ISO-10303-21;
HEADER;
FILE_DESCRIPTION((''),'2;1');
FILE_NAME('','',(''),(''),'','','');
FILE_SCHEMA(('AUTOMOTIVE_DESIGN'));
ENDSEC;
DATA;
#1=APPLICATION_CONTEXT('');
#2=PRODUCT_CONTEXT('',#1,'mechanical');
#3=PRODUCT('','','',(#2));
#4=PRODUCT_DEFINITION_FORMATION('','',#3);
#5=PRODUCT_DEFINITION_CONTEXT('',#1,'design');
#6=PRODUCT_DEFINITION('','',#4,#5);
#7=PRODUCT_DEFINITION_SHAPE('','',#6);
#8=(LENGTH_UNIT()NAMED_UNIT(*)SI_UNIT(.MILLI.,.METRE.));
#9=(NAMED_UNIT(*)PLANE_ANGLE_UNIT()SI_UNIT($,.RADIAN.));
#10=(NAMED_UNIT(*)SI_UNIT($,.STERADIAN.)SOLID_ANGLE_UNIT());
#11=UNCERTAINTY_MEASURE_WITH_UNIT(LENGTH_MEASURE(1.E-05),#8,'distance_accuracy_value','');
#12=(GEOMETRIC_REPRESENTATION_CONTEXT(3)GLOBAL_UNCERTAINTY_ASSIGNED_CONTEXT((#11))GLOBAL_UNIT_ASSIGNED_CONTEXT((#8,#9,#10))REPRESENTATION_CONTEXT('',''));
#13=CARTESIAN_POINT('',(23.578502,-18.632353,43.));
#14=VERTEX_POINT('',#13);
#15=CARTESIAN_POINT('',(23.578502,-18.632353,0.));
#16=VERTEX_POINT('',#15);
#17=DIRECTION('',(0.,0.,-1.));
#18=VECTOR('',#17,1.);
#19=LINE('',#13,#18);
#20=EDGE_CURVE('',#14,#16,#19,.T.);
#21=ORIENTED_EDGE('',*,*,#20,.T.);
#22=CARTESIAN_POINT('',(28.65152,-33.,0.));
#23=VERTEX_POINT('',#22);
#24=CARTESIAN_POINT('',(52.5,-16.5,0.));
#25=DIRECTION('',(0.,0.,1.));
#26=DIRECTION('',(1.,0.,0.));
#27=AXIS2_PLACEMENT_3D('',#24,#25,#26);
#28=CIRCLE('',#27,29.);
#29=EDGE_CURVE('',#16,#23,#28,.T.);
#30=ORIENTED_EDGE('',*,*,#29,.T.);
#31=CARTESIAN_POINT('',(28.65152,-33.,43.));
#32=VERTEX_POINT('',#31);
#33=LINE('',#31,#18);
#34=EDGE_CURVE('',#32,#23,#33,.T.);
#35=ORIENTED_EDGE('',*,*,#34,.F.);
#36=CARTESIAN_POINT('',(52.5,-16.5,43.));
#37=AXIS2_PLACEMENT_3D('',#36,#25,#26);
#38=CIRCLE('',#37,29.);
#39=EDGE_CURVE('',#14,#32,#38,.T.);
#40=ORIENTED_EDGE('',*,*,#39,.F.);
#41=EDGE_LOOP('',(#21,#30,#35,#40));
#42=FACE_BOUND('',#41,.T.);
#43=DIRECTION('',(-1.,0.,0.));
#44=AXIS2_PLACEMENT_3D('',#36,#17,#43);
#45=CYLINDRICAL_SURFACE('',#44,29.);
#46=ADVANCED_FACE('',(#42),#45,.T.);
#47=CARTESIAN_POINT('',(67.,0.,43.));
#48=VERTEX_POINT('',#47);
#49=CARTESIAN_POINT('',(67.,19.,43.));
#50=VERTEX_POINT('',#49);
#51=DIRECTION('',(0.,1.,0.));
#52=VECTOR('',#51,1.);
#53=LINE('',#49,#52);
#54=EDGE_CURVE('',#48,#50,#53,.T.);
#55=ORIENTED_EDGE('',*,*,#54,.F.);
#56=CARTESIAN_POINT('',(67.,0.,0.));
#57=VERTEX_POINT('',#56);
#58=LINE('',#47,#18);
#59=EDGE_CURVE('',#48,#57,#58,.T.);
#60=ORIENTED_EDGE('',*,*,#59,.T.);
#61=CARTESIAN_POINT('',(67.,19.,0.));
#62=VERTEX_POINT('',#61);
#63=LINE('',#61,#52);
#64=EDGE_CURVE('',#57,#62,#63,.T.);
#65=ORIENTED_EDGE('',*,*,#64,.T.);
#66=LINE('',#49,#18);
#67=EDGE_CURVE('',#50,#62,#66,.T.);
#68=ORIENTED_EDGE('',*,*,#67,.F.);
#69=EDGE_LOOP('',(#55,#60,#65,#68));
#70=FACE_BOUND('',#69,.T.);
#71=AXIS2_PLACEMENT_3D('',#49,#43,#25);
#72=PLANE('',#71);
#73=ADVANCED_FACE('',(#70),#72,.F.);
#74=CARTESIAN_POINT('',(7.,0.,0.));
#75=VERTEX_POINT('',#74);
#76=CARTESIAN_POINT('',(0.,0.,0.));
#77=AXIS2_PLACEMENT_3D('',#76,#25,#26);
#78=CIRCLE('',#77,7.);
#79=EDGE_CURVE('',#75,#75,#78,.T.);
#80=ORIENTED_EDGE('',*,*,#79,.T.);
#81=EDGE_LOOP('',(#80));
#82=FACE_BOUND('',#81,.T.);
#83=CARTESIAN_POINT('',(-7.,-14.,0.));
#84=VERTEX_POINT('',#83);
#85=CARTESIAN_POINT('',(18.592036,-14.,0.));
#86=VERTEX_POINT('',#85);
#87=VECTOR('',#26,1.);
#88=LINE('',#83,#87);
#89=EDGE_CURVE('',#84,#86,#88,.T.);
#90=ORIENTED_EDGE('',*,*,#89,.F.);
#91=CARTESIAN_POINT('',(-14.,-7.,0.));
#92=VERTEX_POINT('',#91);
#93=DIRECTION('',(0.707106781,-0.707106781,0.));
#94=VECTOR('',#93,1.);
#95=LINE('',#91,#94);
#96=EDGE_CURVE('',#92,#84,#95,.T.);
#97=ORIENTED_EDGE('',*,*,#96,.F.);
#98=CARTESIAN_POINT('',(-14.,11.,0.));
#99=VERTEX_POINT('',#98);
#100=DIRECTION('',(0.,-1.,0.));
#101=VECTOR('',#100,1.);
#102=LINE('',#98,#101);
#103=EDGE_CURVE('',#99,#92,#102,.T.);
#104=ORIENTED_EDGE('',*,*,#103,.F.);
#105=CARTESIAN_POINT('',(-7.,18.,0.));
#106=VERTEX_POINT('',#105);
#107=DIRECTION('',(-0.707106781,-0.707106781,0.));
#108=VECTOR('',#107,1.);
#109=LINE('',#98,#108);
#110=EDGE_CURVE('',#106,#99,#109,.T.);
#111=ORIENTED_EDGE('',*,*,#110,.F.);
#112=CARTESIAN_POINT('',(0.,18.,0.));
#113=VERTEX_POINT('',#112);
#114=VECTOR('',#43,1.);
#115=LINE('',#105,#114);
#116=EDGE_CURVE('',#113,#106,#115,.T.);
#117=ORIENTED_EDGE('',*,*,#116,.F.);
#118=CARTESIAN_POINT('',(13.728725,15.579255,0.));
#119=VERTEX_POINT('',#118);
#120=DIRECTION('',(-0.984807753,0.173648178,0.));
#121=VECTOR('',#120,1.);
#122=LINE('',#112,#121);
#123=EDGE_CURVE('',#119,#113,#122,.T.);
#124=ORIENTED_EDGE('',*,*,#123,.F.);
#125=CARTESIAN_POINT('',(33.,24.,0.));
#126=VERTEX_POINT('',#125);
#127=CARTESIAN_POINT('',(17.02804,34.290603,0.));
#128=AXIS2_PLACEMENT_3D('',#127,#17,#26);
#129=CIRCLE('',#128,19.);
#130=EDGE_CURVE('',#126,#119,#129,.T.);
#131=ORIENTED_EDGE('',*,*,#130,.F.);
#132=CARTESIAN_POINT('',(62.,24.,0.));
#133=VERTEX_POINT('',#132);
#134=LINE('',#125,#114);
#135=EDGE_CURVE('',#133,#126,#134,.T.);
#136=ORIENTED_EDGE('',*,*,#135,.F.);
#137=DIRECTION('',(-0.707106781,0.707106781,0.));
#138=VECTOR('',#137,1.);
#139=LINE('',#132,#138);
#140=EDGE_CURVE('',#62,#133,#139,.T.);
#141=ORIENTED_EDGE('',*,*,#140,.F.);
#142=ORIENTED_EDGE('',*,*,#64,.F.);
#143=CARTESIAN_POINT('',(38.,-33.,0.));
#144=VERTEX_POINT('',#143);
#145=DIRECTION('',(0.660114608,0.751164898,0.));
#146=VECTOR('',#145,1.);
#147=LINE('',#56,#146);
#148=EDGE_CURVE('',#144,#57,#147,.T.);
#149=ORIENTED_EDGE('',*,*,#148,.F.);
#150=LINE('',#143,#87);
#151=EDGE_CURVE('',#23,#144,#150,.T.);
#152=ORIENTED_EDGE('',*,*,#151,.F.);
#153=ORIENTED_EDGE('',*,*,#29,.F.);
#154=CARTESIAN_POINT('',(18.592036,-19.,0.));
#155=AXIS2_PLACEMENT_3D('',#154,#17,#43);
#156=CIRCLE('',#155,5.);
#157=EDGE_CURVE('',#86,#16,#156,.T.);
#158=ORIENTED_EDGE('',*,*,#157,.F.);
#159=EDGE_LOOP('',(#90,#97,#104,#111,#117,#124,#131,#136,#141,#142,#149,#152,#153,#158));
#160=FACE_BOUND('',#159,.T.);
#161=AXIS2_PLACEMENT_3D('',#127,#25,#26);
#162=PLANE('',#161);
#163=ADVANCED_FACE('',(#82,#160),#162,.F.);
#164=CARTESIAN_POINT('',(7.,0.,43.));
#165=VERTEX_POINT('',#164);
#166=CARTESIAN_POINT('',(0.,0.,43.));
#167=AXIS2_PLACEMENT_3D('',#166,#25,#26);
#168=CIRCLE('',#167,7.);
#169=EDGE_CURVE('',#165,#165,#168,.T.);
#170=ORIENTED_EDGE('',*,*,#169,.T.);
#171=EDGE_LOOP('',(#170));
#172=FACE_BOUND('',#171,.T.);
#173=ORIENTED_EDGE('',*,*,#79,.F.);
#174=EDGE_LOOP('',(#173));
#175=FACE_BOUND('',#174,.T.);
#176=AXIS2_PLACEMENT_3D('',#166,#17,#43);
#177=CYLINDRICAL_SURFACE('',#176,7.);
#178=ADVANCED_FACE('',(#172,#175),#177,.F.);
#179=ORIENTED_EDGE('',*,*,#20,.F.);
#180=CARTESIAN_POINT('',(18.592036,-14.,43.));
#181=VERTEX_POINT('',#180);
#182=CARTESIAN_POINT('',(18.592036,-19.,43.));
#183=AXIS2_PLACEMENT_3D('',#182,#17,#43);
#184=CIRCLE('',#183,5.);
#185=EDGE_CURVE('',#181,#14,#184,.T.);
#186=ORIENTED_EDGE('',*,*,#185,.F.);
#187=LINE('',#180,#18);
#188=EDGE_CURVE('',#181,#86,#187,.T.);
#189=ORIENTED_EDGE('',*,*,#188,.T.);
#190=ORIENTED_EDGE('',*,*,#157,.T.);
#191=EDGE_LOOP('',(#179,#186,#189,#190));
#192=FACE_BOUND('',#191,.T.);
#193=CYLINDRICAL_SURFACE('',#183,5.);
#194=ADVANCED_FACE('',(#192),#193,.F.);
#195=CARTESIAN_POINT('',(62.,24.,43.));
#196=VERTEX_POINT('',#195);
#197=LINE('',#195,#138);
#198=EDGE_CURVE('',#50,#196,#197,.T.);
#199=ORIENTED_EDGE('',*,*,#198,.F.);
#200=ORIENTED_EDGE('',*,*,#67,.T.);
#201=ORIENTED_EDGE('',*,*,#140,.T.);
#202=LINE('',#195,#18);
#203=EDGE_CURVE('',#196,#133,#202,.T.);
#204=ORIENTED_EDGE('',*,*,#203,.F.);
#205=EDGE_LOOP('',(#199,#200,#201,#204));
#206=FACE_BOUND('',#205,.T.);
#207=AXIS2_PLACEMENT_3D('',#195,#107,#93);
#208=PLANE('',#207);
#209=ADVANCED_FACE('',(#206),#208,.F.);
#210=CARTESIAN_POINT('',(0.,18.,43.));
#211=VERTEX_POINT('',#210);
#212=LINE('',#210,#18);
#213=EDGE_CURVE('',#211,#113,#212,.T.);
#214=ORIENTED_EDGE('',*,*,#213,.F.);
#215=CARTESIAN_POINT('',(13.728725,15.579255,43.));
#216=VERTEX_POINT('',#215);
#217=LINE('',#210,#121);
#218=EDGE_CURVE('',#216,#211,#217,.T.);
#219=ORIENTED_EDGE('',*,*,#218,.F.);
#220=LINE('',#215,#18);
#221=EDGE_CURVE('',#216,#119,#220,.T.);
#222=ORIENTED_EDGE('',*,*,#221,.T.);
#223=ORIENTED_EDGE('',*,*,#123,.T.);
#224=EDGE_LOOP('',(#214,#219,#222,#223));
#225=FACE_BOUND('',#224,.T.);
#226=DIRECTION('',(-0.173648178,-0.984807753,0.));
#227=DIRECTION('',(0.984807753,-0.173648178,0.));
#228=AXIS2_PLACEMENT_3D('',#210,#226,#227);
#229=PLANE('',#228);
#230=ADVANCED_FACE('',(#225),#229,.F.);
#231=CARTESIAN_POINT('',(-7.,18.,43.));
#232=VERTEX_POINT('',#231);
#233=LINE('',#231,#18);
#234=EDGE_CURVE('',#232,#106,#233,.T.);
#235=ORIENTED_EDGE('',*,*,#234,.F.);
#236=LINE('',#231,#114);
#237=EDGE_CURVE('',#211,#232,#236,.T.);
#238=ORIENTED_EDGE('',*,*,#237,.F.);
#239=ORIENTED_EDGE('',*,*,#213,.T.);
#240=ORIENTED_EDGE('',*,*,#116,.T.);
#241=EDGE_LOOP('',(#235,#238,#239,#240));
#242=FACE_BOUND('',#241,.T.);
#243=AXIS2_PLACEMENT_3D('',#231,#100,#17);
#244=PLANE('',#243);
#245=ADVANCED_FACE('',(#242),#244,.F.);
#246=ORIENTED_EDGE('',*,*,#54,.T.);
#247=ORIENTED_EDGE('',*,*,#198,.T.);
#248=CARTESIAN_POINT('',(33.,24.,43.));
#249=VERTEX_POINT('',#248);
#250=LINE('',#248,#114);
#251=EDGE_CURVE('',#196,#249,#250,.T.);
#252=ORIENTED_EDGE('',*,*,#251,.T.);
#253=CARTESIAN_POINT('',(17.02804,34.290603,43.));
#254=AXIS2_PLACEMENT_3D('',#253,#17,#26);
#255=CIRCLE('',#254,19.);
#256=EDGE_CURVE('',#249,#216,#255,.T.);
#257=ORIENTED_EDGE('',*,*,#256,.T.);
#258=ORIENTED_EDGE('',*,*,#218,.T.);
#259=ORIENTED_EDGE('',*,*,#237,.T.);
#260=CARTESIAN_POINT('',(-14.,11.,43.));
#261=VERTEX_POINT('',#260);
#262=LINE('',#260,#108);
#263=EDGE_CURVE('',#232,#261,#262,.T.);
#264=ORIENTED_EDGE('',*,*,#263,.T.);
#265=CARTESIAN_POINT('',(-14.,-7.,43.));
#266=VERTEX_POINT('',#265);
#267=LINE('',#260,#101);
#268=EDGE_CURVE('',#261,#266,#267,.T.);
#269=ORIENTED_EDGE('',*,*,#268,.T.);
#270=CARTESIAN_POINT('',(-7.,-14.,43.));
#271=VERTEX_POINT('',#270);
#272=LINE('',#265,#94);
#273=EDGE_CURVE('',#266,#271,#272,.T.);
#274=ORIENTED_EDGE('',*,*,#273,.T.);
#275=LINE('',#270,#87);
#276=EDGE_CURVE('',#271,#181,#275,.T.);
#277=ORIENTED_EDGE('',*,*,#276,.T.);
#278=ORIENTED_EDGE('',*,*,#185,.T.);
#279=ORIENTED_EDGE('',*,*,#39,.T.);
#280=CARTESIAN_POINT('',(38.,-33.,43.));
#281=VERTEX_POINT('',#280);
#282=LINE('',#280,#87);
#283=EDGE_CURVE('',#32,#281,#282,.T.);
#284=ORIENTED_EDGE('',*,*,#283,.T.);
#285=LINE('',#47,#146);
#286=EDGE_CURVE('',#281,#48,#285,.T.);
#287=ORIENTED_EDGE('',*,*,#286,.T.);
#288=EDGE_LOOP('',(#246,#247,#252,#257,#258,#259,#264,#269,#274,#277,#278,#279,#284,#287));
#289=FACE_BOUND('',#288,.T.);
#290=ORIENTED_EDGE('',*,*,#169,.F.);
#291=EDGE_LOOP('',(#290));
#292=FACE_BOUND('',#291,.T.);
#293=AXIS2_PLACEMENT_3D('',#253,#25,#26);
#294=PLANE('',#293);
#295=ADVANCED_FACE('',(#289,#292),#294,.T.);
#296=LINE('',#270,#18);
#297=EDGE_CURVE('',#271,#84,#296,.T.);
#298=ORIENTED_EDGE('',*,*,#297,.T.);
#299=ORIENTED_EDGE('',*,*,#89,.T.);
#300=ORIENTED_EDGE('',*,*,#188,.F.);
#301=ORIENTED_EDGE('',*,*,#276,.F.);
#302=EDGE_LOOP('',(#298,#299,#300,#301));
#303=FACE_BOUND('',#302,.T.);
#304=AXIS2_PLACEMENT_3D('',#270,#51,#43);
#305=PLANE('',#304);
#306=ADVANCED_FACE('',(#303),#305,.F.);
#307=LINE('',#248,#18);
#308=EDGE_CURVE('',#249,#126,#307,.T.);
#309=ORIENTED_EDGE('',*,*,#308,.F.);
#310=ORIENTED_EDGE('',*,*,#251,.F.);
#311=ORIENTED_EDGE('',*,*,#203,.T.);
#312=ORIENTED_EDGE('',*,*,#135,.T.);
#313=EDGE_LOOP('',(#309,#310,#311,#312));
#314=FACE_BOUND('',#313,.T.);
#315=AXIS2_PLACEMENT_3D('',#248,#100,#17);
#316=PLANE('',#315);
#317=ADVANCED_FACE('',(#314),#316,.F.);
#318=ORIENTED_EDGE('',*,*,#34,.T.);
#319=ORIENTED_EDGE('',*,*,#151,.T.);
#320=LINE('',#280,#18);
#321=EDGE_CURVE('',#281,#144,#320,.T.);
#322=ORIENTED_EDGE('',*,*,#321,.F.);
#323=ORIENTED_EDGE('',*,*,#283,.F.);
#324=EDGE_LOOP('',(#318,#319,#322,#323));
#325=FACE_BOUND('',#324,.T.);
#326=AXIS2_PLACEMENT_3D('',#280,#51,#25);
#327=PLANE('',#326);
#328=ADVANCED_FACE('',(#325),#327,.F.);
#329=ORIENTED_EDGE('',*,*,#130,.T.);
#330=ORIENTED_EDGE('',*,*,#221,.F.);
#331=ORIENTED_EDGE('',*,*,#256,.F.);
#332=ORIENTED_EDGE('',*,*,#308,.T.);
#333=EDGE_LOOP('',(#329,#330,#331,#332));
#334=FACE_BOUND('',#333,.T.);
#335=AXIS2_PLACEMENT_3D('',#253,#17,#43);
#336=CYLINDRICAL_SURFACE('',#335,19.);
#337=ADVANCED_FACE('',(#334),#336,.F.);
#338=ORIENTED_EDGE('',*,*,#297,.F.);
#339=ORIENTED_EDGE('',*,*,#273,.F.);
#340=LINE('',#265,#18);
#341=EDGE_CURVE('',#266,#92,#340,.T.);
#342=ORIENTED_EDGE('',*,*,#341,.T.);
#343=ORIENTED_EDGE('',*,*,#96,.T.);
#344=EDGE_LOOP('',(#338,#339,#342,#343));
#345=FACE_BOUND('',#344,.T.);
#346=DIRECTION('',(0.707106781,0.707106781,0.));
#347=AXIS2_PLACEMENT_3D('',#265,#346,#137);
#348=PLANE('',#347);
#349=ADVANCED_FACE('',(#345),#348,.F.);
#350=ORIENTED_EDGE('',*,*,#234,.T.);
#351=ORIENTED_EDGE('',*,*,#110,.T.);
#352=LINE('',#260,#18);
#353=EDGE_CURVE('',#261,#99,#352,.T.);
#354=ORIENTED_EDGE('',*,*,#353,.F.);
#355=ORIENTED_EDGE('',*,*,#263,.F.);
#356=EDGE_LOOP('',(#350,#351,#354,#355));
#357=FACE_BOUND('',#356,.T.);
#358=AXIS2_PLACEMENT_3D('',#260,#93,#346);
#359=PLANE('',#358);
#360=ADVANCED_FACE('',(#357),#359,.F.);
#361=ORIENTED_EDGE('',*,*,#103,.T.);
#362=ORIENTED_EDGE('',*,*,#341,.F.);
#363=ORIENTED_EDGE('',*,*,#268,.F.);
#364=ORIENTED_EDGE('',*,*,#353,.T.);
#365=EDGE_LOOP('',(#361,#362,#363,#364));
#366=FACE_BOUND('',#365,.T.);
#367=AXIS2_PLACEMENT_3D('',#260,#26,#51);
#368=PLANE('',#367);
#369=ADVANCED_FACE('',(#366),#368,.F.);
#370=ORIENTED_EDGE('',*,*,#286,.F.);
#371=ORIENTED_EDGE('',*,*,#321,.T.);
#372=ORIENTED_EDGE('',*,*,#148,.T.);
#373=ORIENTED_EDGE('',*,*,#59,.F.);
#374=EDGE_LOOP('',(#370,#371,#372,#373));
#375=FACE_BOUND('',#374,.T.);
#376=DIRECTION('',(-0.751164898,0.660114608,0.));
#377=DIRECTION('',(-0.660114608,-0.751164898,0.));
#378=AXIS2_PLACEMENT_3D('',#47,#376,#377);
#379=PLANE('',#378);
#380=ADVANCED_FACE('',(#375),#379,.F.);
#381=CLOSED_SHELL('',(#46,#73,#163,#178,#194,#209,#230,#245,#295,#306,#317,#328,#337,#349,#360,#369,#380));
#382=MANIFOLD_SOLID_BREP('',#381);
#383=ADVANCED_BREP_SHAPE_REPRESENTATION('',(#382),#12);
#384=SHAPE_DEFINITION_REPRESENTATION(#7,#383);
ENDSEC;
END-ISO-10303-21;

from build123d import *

# Parameters (mm, degrees)
SKETCH2_R           = 7
BOSS_EXTRUDE1_DEPTH = 43


with BuildPart() as part:
    # Sketch2 → Boss-Extrude1 (new body)
    with BuildSketch(Plane.XY):
        with BuildLine():
            Line((-14, 11), (-14, -7))
            Line((-14, -7), (-7, -14))
            Line((-7, -14), (18.592036334, -14))
            ThreePointArc((18.592036334, -14), (21.995105882, -15.336788616), (23.578501579, -18.632352941))
            ThreePointArc((23.578501579, -18.632352941), (25.154525473, -26.155310607), (28.651519965, -33))
            Line((28.651519965, -33), (38, -33))
            Line((38, -33), (67, 0))
            Line((67, 0), (67, 19))
            Line((67, 19), (62, 24))
            Line((62, 24), (33, 24))
            ThreePointArc((33, 24), (24.635682091, 16.880152192), (13.728724936, 15.579255383))
            Line((13.728724936, 15.579255383), (0, 18))
            Line((0, 18), (-7, 18))
            Line((-7, 18), (-14, 11))
        make_face()
        Circle(SKETCH2_R, mode=Mode.SUBTRACT)
    extrude(amount=BOSS_EXTRUDE1_DEPTH)


solid = part.part
